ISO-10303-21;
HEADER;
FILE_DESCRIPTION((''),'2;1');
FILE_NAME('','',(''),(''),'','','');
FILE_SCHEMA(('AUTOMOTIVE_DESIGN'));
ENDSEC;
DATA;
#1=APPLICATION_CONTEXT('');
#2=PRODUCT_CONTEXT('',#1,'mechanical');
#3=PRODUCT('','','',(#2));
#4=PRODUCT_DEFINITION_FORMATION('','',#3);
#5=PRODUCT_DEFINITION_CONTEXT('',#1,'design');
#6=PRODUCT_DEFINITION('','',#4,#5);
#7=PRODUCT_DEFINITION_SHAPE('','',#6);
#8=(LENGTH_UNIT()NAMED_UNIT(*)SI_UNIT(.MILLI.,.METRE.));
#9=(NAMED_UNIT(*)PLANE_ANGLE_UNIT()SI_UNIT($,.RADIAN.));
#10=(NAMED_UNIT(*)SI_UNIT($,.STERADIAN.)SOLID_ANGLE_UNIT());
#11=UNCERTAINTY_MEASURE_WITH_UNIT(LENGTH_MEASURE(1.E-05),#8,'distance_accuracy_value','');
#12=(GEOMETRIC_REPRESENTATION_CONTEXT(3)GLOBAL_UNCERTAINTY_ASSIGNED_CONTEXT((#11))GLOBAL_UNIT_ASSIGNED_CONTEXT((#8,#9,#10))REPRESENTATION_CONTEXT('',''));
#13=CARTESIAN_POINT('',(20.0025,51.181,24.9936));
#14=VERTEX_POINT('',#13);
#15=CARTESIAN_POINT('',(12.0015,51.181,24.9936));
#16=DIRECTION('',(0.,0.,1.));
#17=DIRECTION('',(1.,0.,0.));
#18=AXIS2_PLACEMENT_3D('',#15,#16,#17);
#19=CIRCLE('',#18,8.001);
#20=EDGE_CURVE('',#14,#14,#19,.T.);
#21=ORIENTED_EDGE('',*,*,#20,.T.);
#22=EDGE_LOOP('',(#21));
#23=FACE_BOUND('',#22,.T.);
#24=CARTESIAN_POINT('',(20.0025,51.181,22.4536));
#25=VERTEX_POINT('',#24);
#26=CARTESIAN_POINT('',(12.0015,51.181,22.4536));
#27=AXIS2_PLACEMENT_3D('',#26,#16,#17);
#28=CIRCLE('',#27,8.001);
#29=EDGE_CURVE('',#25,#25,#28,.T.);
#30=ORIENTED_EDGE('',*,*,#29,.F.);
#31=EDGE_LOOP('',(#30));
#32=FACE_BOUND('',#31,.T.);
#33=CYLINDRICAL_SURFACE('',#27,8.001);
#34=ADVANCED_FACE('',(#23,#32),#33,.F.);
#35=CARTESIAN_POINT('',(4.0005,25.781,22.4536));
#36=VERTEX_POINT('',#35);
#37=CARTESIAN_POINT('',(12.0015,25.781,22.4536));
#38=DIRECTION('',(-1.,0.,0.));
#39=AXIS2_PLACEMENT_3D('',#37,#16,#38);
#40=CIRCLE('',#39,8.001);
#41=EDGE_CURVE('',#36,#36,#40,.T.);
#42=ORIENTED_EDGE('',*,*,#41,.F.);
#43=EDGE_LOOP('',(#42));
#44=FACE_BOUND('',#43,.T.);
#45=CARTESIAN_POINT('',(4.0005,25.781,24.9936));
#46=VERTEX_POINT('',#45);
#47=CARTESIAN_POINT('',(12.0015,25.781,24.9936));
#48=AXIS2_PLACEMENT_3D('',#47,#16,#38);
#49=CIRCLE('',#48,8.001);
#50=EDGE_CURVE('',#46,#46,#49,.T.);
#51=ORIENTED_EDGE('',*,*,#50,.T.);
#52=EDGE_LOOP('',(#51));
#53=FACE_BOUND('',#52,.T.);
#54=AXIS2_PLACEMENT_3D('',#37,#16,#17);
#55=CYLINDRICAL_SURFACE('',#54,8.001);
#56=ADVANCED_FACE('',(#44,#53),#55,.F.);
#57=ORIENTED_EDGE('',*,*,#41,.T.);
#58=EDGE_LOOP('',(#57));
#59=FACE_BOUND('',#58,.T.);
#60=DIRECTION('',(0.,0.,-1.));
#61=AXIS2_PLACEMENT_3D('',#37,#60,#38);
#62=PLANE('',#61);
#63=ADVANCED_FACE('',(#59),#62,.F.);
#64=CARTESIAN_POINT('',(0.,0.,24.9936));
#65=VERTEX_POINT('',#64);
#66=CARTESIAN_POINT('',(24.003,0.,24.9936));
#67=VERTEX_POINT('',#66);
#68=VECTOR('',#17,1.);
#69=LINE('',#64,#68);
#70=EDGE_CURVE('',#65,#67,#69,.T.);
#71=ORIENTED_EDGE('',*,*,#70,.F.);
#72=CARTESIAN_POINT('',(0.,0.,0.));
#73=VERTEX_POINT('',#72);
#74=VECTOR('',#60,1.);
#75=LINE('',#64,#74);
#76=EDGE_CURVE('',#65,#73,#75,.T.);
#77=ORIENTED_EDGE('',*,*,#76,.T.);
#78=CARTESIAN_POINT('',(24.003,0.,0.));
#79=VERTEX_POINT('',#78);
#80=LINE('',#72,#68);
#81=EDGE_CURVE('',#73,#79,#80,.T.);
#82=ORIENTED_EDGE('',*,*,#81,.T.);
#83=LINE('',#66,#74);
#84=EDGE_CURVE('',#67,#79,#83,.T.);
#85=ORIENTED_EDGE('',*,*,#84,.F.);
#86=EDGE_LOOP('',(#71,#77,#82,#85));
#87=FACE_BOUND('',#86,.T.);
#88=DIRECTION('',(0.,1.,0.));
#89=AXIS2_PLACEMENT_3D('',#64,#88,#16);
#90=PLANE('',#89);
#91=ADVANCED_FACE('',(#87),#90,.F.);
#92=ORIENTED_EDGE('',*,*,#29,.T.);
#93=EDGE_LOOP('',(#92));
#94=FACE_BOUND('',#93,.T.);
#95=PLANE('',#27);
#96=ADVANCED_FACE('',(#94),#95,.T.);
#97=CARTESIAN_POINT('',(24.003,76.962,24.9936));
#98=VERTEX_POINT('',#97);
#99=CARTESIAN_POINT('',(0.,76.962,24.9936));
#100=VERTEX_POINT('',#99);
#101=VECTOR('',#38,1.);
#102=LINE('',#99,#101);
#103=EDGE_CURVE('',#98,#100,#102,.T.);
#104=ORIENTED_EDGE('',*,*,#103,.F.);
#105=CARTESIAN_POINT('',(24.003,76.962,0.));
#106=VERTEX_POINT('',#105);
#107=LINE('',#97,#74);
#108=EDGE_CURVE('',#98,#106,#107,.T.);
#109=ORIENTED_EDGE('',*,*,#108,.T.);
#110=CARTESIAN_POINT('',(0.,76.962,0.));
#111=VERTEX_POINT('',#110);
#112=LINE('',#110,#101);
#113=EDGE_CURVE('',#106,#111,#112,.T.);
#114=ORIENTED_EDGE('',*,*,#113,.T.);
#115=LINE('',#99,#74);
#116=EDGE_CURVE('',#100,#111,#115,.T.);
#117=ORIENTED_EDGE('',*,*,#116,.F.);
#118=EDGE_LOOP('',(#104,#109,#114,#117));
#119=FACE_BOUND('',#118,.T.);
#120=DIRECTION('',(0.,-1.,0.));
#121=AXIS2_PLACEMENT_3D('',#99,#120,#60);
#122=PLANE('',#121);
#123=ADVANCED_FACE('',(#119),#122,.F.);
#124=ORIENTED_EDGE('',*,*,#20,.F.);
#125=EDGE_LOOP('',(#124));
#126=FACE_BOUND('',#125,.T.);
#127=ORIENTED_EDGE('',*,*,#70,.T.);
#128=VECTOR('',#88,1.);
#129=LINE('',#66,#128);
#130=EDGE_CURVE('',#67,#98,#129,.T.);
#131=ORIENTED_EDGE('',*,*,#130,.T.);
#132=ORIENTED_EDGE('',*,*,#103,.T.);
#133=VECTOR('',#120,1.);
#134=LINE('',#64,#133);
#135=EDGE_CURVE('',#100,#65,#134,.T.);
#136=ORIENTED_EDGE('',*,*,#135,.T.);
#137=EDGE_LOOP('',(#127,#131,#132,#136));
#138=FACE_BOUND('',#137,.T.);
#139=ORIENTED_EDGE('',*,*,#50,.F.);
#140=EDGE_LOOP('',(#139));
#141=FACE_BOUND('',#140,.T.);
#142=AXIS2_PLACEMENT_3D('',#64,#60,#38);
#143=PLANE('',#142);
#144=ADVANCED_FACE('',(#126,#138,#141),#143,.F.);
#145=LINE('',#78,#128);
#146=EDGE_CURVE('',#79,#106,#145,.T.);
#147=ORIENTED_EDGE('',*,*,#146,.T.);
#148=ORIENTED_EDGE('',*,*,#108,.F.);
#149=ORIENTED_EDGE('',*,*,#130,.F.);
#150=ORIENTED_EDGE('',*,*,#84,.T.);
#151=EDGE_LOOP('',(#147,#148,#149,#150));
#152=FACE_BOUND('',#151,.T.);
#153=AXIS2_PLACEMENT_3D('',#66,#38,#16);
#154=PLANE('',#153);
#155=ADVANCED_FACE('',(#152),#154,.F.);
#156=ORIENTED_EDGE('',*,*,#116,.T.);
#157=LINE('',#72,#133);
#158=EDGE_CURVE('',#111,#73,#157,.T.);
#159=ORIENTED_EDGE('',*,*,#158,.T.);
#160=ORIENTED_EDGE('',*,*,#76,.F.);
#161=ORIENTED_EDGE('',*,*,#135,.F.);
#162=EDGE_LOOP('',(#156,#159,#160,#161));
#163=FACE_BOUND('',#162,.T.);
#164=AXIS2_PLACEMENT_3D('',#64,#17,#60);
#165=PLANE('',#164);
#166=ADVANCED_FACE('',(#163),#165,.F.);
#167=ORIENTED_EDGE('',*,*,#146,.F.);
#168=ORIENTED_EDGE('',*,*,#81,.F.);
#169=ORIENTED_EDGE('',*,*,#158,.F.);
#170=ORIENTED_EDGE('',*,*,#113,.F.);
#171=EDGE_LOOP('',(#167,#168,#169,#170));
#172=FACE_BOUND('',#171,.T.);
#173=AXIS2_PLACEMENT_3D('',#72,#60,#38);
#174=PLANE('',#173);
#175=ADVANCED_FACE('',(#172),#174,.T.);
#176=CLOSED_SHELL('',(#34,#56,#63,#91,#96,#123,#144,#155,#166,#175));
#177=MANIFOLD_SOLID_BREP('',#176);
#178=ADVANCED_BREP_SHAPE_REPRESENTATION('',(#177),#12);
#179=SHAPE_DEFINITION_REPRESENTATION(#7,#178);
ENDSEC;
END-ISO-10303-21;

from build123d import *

# Parameters (mm, degrees)
SKETCH2_W           = 24.003
SKETCH2_H           = 76.962
BOSS_EXTRUDE1_DEPTH = 24.9936
SKETCH3_R           = 8.001
CUT_EXTRUDE1_DEPTH  = 2.54


with BuildPart() as part:
    # Sketch2 → Boss-Extrude1 (new body)
    with BuildSketch(Plane.XY):
        with Locations((12.0015, 38.481)):
            Rectangle(SKETCH2_W, SKETCH2_H)
    extrude(amount=BOSS_EXTRUDE1_DEPTH)

    # Sketch3 → Cut-Extrude1 (cut)
    with BuildSketch(Plane.XY.offset(24.9936)):
        with Locations((12.0015, 51.181)):
            Circle(SKETCH3_R)
        with Locations(Location((12.0015, 25.781, 0), (0, 0, 180))):
            Circle(SKETCH3_R)
    extrude(amount=-CUT_EXTRUDE1_DEPTH, mode=Mode.SUBTRACT)


solid = part.part
